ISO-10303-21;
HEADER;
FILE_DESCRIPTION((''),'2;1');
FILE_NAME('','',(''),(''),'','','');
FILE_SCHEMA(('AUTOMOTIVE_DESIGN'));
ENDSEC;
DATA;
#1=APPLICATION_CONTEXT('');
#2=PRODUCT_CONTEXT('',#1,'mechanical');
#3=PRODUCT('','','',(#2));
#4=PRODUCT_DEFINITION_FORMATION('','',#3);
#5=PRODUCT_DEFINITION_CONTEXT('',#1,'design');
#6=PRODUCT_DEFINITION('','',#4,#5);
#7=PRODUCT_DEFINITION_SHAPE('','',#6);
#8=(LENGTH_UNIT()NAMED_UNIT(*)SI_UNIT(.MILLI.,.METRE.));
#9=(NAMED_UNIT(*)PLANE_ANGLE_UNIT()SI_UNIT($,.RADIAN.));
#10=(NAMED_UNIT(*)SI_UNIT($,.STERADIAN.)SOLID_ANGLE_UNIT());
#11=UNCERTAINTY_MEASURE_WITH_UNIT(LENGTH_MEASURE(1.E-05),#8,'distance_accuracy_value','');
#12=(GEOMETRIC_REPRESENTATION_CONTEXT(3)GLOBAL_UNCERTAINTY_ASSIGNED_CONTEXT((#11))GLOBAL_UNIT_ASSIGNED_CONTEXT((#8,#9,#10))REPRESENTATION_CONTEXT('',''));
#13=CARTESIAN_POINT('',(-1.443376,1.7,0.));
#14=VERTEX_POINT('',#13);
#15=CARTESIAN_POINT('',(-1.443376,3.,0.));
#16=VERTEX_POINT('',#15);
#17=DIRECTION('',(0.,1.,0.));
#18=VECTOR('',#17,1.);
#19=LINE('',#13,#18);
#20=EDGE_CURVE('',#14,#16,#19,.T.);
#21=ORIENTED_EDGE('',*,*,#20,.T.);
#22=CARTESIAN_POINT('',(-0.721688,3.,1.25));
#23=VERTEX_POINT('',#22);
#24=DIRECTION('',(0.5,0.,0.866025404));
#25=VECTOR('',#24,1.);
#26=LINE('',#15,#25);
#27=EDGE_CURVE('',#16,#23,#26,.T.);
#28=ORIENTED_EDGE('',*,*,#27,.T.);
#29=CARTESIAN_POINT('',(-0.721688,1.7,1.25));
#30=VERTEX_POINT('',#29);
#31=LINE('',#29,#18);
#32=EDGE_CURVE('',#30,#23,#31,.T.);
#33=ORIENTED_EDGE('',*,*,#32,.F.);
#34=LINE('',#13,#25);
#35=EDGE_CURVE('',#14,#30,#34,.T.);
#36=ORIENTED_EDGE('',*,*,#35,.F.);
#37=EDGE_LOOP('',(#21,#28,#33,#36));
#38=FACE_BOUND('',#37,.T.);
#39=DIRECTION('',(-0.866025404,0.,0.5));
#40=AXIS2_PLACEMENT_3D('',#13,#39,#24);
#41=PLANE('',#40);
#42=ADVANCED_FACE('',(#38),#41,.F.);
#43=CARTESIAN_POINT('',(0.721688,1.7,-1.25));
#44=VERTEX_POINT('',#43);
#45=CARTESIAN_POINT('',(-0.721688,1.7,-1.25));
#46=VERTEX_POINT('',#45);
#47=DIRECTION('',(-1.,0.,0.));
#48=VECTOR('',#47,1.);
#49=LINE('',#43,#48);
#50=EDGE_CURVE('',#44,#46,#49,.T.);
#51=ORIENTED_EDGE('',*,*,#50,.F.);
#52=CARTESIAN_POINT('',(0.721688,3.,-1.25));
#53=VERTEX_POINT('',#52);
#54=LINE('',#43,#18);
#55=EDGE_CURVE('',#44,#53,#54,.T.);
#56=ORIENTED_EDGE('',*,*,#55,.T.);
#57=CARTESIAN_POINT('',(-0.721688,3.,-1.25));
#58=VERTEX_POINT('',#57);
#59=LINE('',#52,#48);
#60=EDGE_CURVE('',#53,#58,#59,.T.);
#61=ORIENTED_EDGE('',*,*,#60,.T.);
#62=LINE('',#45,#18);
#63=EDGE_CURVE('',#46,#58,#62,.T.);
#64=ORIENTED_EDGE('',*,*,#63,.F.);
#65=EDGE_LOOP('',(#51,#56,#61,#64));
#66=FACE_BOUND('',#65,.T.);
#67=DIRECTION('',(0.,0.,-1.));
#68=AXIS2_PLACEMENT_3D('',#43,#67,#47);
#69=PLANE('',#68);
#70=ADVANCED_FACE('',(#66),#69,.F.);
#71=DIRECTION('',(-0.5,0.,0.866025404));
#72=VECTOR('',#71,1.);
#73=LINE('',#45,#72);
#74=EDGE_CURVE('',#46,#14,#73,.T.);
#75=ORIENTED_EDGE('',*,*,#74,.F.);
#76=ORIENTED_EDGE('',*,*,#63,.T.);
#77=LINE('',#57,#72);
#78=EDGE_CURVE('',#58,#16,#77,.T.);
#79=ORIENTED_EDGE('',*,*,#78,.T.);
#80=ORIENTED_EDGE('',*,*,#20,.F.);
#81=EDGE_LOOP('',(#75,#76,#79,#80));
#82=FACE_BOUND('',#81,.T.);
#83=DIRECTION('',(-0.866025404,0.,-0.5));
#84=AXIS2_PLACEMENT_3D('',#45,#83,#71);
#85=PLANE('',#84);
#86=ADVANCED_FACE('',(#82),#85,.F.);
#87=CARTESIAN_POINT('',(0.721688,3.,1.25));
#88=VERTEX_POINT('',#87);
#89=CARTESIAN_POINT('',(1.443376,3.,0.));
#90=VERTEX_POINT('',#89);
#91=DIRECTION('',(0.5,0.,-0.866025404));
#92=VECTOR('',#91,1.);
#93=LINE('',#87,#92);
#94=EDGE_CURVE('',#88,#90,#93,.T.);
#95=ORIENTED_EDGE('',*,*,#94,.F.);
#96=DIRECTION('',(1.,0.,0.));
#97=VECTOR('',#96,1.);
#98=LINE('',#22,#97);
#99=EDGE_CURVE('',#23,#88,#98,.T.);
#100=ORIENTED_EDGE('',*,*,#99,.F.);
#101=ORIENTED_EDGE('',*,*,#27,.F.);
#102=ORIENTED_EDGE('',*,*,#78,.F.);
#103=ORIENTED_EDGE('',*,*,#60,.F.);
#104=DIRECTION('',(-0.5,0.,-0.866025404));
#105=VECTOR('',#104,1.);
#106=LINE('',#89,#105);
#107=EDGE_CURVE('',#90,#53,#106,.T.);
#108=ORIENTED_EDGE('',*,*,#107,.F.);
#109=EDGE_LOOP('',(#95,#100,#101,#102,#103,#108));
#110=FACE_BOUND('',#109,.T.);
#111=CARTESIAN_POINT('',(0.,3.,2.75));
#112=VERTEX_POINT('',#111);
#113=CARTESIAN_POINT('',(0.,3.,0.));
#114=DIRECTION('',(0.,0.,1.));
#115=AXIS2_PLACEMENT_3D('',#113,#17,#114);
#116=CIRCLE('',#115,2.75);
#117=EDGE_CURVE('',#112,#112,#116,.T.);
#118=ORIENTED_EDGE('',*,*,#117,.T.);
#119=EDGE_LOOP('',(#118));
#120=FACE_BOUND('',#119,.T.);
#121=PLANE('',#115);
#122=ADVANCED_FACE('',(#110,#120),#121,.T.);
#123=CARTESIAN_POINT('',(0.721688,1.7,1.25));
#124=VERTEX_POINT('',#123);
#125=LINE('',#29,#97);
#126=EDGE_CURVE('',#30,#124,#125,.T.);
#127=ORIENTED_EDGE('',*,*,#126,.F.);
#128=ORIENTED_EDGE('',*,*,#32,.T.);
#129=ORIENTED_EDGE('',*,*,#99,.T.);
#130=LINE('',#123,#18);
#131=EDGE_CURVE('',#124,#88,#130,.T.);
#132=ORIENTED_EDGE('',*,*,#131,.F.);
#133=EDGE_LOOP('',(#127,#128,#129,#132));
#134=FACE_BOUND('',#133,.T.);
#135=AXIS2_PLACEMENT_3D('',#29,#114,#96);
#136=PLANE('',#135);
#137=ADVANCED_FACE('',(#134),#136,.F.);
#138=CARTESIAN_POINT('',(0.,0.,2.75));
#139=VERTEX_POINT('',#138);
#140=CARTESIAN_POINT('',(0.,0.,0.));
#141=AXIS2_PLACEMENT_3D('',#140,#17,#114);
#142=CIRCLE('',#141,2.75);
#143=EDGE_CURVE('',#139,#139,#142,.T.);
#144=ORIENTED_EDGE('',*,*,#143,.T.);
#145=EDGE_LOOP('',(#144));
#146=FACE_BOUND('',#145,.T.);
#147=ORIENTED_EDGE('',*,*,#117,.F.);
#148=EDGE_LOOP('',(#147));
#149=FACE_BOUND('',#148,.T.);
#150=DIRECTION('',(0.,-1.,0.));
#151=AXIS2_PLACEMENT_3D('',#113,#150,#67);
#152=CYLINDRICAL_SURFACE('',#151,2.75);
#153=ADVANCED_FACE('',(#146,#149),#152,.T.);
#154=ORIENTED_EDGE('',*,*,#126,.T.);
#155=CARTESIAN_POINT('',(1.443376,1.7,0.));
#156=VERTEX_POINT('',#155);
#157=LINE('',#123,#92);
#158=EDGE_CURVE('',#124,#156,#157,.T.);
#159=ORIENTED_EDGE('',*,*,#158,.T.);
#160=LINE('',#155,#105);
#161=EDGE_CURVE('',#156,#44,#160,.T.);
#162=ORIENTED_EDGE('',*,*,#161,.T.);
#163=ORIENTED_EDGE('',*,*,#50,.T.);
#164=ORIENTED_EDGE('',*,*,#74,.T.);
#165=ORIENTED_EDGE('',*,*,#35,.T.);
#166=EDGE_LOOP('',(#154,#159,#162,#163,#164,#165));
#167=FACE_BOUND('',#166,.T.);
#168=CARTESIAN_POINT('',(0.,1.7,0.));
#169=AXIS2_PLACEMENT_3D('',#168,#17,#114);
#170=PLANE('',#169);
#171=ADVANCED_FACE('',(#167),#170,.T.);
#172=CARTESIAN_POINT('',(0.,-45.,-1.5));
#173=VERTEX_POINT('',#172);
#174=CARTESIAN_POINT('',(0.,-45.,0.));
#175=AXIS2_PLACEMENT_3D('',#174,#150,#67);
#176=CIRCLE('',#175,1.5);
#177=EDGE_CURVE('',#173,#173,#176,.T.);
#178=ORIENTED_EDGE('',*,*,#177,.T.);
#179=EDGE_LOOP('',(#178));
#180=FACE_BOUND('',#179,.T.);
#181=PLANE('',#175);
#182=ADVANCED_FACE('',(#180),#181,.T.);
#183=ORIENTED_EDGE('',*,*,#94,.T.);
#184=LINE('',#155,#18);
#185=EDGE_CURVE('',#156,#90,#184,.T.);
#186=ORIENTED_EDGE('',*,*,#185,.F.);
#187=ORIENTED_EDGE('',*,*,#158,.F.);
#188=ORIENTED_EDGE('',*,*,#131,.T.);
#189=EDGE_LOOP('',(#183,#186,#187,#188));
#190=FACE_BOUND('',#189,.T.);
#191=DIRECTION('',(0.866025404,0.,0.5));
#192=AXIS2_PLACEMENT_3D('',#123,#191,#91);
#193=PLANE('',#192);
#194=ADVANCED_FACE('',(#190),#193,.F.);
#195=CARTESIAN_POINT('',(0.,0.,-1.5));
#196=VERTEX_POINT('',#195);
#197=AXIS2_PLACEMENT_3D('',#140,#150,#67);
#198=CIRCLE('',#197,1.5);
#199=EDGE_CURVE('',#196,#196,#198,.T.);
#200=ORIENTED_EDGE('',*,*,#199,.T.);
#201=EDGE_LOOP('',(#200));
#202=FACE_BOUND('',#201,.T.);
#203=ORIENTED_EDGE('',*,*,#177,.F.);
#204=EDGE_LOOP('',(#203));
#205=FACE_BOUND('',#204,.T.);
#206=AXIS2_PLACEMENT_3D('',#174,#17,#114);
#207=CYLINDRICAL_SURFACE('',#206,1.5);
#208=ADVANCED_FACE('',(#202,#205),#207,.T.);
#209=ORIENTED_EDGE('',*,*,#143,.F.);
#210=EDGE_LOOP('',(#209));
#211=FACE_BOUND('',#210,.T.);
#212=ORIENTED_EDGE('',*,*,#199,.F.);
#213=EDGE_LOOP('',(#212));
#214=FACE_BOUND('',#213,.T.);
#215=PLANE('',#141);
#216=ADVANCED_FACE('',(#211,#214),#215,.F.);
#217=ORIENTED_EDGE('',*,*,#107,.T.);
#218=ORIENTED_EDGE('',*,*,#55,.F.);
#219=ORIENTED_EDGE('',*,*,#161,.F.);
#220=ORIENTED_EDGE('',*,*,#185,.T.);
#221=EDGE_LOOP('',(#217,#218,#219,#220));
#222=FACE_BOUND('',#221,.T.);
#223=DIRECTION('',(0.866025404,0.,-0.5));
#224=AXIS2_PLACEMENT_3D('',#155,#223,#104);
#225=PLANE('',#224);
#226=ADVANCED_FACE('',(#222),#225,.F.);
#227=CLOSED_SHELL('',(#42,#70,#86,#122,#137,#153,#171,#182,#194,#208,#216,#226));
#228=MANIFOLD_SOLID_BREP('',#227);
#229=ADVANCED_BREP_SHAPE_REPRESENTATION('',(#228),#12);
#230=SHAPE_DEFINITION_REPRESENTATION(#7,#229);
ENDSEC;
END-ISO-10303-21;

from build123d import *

# Parameters (mm, degrees)
SKETCH_1_R            = 2.75
EXTRUDE_248_DEPTH     = 3
CUT_EXTRUDE_378_DEPTH = 1.3
SKETCH_3_R            = 1.5
EXTRUDE_479_DEPTH     = 45


with BuildPart() as part:
    # 草图1 → Extrude 248 (new body)
    with BuildSketch(Plane(origin=(0, 0, 0), x_dir=(1, 0, 0), z_dir=(0, 1, 0))):
        Circle(SKETCH_1_R)
    extrude(amount=EXTRUDE_248_DEPTH)

    # 草图2 → Cut-Extrude 378 (cut)
    with BuildSketch(Plane(origin=(0, 3, 0), x_dir=(1, 0, 0), z_dir=(0, 1, 0))):
        Polygon((1.443375673, 0), (0.721687836, 1.25), (-0.721687836, 1.25), (-1.443375673, 0), (-0.721687836, -1.25), (0.721687836, -1.25), align=None)
    extrude(amount=-CUT_EXTRUDE_378_DEPTH, mode=Mode.SUBTRACT)

    # 草图3 → Extrude 479 (add)
    with BuildSketch(Plane.XZ):
        Circle(SKETCH_3_R)
    extrude(amount=EXTRUDE_479_DEPTH)


solid = part.part
